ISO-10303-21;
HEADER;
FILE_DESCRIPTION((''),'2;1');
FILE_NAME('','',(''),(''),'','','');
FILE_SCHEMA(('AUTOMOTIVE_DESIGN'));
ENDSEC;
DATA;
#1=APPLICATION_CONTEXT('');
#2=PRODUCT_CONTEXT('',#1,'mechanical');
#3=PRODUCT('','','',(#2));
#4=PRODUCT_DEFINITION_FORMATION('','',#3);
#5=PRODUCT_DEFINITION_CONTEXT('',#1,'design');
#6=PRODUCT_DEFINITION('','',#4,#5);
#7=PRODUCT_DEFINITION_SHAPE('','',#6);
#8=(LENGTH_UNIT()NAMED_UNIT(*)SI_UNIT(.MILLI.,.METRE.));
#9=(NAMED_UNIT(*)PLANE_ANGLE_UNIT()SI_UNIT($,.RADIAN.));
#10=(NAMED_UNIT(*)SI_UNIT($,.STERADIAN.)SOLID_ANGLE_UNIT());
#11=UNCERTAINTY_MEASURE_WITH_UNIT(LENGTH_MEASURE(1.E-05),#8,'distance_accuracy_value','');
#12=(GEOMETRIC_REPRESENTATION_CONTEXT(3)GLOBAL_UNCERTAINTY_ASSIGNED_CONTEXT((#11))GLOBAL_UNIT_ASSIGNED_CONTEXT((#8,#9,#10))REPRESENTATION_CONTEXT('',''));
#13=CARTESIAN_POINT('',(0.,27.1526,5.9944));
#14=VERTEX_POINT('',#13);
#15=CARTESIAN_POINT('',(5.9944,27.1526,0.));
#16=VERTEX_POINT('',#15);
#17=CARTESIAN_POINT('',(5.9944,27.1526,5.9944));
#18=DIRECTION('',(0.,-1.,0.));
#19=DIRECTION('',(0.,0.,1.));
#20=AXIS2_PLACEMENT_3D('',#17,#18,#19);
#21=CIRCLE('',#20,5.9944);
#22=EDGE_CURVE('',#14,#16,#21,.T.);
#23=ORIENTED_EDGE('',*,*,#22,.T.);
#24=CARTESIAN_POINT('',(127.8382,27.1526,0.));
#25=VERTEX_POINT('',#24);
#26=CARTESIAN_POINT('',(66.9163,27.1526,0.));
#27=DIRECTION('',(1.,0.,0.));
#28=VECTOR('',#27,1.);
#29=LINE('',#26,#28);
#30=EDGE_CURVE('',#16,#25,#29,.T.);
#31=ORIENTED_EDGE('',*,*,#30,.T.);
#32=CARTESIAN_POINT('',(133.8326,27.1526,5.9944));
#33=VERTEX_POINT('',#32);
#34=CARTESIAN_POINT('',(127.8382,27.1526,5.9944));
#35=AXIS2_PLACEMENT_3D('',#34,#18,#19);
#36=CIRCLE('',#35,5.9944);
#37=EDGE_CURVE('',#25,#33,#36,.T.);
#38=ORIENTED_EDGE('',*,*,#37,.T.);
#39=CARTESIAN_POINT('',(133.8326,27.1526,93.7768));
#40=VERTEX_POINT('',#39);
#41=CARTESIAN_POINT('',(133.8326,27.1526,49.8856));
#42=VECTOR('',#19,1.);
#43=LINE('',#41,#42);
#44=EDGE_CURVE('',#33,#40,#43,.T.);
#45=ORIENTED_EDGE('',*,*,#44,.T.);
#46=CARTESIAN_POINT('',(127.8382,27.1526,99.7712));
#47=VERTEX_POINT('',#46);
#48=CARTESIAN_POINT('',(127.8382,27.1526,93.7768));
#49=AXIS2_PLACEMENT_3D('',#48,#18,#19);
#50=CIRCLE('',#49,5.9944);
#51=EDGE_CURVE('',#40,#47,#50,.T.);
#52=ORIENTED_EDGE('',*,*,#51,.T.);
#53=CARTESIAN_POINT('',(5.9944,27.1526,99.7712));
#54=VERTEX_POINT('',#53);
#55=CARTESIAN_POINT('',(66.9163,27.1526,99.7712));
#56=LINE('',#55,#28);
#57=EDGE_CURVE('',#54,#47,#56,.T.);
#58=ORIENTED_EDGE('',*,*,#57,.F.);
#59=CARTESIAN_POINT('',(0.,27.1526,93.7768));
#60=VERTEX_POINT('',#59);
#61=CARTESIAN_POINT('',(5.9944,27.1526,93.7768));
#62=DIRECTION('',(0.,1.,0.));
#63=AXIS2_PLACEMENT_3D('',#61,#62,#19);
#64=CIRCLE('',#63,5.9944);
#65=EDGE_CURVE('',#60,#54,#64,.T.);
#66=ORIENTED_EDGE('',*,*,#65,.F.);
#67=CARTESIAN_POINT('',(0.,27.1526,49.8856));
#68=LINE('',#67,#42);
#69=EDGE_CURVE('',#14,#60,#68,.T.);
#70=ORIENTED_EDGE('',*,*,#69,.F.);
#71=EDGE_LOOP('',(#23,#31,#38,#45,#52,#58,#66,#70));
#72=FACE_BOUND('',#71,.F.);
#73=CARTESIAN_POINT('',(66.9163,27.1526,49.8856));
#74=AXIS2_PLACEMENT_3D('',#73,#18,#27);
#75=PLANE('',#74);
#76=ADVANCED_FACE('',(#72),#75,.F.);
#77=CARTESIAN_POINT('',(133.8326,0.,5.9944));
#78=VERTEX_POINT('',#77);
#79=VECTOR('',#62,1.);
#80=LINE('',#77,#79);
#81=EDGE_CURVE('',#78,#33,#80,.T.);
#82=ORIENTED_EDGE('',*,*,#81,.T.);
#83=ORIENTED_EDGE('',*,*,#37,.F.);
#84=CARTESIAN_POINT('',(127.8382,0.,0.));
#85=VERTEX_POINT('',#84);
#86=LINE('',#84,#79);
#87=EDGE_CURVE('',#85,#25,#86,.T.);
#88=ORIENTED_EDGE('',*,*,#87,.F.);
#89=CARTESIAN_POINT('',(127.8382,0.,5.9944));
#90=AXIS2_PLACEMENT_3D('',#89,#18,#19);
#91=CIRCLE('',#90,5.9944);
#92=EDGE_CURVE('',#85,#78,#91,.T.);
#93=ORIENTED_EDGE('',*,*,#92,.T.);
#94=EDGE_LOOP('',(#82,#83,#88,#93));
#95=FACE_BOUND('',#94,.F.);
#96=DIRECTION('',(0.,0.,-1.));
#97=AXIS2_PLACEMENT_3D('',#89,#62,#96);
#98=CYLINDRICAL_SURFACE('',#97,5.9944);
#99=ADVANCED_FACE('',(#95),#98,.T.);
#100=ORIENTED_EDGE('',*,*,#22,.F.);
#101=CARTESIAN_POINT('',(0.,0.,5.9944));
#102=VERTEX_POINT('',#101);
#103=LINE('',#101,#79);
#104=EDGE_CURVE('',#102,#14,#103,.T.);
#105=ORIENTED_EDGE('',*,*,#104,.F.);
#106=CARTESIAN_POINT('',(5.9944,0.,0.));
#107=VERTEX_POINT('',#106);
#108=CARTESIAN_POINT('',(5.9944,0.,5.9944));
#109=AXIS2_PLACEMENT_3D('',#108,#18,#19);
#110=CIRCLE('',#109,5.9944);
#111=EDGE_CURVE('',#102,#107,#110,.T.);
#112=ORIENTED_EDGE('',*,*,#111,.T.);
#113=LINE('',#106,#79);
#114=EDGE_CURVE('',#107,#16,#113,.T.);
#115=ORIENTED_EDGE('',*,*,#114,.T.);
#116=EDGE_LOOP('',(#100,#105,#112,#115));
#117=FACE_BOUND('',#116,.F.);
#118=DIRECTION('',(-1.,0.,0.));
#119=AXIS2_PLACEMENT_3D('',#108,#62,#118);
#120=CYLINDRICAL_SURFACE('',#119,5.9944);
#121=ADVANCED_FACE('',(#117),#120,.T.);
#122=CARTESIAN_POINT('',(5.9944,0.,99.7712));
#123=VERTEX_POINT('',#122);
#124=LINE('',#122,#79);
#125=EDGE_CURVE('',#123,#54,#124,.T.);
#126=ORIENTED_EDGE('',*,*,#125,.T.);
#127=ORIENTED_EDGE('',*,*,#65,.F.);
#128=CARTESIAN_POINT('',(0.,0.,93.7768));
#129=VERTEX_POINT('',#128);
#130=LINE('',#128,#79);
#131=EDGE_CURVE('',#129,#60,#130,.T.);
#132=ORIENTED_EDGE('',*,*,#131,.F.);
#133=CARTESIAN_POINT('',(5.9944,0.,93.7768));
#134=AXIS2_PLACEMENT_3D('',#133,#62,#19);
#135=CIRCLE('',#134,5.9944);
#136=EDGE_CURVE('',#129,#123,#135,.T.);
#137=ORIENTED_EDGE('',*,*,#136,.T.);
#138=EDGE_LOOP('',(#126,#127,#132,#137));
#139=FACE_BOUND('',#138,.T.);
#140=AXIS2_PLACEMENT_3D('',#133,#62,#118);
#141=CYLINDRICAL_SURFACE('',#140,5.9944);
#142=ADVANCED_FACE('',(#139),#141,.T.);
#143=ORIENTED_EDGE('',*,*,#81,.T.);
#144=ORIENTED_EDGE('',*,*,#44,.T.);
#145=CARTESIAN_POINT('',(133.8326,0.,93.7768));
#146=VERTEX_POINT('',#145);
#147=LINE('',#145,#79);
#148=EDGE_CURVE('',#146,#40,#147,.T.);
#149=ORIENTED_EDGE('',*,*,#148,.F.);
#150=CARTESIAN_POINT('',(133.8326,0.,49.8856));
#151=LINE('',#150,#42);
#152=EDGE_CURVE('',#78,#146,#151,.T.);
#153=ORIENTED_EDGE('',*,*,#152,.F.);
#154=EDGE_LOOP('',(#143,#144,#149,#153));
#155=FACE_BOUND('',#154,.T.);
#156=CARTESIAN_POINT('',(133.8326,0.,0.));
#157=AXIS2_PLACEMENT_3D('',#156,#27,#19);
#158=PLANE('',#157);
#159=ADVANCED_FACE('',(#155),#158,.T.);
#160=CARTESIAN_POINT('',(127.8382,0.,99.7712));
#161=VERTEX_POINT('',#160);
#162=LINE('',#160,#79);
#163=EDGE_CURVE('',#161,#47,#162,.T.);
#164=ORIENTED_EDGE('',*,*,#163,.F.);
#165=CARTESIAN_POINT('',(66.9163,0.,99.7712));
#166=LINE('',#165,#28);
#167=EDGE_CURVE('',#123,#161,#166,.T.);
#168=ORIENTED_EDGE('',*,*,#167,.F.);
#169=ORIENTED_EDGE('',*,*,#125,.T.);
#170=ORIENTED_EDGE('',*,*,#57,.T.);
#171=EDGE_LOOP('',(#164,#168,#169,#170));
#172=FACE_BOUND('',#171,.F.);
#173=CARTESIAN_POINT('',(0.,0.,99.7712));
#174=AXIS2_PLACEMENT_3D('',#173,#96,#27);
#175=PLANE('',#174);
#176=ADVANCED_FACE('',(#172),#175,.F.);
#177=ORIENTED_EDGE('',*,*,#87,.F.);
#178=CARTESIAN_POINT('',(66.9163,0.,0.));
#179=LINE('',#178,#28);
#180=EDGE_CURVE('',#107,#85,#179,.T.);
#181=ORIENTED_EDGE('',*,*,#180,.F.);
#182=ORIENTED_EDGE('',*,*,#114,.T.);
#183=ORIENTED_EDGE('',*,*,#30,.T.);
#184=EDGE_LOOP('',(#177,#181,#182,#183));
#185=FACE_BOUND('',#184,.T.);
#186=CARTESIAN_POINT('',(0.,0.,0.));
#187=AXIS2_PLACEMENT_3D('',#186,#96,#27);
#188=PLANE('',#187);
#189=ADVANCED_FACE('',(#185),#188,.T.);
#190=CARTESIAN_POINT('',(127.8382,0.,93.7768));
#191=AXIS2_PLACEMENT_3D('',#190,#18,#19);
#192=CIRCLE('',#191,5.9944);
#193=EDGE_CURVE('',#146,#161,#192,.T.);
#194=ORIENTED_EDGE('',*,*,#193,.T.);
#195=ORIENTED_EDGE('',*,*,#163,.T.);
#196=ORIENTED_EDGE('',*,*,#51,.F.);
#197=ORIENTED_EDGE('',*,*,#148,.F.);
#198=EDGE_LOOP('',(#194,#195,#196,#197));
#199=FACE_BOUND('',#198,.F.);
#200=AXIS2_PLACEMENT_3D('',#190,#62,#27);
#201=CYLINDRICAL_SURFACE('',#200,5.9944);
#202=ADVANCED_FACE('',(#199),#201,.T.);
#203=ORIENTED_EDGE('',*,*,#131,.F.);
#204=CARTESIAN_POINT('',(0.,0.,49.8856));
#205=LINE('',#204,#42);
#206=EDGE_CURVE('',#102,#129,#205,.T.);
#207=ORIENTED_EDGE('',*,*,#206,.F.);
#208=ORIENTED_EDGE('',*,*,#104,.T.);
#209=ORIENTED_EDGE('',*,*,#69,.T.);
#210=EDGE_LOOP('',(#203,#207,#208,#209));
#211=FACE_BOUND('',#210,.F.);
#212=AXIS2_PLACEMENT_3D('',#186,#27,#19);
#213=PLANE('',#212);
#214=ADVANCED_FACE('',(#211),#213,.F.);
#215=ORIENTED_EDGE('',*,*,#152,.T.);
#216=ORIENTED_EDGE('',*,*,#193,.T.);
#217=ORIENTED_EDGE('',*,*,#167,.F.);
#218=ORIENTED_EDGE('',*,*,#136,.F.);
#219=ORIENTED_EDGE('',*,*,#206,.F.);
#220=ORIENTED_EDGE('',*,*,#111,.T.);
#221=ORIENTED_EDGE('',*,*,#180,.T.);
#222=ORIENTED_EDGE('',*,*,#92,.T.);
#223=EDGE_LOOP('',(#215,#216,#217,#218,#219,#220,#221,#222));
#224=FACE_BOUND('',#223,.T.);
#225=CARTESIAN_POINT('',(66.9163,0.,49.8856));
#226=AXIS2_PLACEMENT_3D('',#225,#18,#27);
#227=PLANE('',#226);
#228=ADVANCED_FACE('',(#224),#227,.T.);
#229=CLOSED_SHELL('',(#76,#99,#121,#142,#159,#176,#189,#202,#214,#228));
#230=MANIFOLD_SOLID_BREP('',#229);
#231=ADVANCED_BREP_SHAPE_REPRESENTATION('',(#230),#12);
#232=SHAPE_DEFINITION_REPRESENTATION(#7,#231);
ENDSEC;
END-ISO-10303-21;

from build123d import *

# Parameters (mm, degrees)
F0_W     = 133.8326
F0_H     = 99.7712
F1_DEPTH = 27.1526
F2_R     = 5.9944


with BuildPart() as f1:
    # F0 (on Front) → F1 (new body)
    with BuildSketch(Plane.XZ):
        with Locations((66.9163, 49.8856)):
            Rectangle(F0_W, F0_H)
    extrude(amount=-F1_DEPTH)

    # F2
    f2_edges = [f1.edges().sort_by_distance(p)[0] for p in [
        (133.8326, 13.5763, 99.7712),
        (133.8326, 13.5763, 0),
        (0, 13.5763, 0),
        (0, 13.5763, 99.7712),
    ]]
    fillet(f2_edges, radius=F2_R)


solid = f1.part
